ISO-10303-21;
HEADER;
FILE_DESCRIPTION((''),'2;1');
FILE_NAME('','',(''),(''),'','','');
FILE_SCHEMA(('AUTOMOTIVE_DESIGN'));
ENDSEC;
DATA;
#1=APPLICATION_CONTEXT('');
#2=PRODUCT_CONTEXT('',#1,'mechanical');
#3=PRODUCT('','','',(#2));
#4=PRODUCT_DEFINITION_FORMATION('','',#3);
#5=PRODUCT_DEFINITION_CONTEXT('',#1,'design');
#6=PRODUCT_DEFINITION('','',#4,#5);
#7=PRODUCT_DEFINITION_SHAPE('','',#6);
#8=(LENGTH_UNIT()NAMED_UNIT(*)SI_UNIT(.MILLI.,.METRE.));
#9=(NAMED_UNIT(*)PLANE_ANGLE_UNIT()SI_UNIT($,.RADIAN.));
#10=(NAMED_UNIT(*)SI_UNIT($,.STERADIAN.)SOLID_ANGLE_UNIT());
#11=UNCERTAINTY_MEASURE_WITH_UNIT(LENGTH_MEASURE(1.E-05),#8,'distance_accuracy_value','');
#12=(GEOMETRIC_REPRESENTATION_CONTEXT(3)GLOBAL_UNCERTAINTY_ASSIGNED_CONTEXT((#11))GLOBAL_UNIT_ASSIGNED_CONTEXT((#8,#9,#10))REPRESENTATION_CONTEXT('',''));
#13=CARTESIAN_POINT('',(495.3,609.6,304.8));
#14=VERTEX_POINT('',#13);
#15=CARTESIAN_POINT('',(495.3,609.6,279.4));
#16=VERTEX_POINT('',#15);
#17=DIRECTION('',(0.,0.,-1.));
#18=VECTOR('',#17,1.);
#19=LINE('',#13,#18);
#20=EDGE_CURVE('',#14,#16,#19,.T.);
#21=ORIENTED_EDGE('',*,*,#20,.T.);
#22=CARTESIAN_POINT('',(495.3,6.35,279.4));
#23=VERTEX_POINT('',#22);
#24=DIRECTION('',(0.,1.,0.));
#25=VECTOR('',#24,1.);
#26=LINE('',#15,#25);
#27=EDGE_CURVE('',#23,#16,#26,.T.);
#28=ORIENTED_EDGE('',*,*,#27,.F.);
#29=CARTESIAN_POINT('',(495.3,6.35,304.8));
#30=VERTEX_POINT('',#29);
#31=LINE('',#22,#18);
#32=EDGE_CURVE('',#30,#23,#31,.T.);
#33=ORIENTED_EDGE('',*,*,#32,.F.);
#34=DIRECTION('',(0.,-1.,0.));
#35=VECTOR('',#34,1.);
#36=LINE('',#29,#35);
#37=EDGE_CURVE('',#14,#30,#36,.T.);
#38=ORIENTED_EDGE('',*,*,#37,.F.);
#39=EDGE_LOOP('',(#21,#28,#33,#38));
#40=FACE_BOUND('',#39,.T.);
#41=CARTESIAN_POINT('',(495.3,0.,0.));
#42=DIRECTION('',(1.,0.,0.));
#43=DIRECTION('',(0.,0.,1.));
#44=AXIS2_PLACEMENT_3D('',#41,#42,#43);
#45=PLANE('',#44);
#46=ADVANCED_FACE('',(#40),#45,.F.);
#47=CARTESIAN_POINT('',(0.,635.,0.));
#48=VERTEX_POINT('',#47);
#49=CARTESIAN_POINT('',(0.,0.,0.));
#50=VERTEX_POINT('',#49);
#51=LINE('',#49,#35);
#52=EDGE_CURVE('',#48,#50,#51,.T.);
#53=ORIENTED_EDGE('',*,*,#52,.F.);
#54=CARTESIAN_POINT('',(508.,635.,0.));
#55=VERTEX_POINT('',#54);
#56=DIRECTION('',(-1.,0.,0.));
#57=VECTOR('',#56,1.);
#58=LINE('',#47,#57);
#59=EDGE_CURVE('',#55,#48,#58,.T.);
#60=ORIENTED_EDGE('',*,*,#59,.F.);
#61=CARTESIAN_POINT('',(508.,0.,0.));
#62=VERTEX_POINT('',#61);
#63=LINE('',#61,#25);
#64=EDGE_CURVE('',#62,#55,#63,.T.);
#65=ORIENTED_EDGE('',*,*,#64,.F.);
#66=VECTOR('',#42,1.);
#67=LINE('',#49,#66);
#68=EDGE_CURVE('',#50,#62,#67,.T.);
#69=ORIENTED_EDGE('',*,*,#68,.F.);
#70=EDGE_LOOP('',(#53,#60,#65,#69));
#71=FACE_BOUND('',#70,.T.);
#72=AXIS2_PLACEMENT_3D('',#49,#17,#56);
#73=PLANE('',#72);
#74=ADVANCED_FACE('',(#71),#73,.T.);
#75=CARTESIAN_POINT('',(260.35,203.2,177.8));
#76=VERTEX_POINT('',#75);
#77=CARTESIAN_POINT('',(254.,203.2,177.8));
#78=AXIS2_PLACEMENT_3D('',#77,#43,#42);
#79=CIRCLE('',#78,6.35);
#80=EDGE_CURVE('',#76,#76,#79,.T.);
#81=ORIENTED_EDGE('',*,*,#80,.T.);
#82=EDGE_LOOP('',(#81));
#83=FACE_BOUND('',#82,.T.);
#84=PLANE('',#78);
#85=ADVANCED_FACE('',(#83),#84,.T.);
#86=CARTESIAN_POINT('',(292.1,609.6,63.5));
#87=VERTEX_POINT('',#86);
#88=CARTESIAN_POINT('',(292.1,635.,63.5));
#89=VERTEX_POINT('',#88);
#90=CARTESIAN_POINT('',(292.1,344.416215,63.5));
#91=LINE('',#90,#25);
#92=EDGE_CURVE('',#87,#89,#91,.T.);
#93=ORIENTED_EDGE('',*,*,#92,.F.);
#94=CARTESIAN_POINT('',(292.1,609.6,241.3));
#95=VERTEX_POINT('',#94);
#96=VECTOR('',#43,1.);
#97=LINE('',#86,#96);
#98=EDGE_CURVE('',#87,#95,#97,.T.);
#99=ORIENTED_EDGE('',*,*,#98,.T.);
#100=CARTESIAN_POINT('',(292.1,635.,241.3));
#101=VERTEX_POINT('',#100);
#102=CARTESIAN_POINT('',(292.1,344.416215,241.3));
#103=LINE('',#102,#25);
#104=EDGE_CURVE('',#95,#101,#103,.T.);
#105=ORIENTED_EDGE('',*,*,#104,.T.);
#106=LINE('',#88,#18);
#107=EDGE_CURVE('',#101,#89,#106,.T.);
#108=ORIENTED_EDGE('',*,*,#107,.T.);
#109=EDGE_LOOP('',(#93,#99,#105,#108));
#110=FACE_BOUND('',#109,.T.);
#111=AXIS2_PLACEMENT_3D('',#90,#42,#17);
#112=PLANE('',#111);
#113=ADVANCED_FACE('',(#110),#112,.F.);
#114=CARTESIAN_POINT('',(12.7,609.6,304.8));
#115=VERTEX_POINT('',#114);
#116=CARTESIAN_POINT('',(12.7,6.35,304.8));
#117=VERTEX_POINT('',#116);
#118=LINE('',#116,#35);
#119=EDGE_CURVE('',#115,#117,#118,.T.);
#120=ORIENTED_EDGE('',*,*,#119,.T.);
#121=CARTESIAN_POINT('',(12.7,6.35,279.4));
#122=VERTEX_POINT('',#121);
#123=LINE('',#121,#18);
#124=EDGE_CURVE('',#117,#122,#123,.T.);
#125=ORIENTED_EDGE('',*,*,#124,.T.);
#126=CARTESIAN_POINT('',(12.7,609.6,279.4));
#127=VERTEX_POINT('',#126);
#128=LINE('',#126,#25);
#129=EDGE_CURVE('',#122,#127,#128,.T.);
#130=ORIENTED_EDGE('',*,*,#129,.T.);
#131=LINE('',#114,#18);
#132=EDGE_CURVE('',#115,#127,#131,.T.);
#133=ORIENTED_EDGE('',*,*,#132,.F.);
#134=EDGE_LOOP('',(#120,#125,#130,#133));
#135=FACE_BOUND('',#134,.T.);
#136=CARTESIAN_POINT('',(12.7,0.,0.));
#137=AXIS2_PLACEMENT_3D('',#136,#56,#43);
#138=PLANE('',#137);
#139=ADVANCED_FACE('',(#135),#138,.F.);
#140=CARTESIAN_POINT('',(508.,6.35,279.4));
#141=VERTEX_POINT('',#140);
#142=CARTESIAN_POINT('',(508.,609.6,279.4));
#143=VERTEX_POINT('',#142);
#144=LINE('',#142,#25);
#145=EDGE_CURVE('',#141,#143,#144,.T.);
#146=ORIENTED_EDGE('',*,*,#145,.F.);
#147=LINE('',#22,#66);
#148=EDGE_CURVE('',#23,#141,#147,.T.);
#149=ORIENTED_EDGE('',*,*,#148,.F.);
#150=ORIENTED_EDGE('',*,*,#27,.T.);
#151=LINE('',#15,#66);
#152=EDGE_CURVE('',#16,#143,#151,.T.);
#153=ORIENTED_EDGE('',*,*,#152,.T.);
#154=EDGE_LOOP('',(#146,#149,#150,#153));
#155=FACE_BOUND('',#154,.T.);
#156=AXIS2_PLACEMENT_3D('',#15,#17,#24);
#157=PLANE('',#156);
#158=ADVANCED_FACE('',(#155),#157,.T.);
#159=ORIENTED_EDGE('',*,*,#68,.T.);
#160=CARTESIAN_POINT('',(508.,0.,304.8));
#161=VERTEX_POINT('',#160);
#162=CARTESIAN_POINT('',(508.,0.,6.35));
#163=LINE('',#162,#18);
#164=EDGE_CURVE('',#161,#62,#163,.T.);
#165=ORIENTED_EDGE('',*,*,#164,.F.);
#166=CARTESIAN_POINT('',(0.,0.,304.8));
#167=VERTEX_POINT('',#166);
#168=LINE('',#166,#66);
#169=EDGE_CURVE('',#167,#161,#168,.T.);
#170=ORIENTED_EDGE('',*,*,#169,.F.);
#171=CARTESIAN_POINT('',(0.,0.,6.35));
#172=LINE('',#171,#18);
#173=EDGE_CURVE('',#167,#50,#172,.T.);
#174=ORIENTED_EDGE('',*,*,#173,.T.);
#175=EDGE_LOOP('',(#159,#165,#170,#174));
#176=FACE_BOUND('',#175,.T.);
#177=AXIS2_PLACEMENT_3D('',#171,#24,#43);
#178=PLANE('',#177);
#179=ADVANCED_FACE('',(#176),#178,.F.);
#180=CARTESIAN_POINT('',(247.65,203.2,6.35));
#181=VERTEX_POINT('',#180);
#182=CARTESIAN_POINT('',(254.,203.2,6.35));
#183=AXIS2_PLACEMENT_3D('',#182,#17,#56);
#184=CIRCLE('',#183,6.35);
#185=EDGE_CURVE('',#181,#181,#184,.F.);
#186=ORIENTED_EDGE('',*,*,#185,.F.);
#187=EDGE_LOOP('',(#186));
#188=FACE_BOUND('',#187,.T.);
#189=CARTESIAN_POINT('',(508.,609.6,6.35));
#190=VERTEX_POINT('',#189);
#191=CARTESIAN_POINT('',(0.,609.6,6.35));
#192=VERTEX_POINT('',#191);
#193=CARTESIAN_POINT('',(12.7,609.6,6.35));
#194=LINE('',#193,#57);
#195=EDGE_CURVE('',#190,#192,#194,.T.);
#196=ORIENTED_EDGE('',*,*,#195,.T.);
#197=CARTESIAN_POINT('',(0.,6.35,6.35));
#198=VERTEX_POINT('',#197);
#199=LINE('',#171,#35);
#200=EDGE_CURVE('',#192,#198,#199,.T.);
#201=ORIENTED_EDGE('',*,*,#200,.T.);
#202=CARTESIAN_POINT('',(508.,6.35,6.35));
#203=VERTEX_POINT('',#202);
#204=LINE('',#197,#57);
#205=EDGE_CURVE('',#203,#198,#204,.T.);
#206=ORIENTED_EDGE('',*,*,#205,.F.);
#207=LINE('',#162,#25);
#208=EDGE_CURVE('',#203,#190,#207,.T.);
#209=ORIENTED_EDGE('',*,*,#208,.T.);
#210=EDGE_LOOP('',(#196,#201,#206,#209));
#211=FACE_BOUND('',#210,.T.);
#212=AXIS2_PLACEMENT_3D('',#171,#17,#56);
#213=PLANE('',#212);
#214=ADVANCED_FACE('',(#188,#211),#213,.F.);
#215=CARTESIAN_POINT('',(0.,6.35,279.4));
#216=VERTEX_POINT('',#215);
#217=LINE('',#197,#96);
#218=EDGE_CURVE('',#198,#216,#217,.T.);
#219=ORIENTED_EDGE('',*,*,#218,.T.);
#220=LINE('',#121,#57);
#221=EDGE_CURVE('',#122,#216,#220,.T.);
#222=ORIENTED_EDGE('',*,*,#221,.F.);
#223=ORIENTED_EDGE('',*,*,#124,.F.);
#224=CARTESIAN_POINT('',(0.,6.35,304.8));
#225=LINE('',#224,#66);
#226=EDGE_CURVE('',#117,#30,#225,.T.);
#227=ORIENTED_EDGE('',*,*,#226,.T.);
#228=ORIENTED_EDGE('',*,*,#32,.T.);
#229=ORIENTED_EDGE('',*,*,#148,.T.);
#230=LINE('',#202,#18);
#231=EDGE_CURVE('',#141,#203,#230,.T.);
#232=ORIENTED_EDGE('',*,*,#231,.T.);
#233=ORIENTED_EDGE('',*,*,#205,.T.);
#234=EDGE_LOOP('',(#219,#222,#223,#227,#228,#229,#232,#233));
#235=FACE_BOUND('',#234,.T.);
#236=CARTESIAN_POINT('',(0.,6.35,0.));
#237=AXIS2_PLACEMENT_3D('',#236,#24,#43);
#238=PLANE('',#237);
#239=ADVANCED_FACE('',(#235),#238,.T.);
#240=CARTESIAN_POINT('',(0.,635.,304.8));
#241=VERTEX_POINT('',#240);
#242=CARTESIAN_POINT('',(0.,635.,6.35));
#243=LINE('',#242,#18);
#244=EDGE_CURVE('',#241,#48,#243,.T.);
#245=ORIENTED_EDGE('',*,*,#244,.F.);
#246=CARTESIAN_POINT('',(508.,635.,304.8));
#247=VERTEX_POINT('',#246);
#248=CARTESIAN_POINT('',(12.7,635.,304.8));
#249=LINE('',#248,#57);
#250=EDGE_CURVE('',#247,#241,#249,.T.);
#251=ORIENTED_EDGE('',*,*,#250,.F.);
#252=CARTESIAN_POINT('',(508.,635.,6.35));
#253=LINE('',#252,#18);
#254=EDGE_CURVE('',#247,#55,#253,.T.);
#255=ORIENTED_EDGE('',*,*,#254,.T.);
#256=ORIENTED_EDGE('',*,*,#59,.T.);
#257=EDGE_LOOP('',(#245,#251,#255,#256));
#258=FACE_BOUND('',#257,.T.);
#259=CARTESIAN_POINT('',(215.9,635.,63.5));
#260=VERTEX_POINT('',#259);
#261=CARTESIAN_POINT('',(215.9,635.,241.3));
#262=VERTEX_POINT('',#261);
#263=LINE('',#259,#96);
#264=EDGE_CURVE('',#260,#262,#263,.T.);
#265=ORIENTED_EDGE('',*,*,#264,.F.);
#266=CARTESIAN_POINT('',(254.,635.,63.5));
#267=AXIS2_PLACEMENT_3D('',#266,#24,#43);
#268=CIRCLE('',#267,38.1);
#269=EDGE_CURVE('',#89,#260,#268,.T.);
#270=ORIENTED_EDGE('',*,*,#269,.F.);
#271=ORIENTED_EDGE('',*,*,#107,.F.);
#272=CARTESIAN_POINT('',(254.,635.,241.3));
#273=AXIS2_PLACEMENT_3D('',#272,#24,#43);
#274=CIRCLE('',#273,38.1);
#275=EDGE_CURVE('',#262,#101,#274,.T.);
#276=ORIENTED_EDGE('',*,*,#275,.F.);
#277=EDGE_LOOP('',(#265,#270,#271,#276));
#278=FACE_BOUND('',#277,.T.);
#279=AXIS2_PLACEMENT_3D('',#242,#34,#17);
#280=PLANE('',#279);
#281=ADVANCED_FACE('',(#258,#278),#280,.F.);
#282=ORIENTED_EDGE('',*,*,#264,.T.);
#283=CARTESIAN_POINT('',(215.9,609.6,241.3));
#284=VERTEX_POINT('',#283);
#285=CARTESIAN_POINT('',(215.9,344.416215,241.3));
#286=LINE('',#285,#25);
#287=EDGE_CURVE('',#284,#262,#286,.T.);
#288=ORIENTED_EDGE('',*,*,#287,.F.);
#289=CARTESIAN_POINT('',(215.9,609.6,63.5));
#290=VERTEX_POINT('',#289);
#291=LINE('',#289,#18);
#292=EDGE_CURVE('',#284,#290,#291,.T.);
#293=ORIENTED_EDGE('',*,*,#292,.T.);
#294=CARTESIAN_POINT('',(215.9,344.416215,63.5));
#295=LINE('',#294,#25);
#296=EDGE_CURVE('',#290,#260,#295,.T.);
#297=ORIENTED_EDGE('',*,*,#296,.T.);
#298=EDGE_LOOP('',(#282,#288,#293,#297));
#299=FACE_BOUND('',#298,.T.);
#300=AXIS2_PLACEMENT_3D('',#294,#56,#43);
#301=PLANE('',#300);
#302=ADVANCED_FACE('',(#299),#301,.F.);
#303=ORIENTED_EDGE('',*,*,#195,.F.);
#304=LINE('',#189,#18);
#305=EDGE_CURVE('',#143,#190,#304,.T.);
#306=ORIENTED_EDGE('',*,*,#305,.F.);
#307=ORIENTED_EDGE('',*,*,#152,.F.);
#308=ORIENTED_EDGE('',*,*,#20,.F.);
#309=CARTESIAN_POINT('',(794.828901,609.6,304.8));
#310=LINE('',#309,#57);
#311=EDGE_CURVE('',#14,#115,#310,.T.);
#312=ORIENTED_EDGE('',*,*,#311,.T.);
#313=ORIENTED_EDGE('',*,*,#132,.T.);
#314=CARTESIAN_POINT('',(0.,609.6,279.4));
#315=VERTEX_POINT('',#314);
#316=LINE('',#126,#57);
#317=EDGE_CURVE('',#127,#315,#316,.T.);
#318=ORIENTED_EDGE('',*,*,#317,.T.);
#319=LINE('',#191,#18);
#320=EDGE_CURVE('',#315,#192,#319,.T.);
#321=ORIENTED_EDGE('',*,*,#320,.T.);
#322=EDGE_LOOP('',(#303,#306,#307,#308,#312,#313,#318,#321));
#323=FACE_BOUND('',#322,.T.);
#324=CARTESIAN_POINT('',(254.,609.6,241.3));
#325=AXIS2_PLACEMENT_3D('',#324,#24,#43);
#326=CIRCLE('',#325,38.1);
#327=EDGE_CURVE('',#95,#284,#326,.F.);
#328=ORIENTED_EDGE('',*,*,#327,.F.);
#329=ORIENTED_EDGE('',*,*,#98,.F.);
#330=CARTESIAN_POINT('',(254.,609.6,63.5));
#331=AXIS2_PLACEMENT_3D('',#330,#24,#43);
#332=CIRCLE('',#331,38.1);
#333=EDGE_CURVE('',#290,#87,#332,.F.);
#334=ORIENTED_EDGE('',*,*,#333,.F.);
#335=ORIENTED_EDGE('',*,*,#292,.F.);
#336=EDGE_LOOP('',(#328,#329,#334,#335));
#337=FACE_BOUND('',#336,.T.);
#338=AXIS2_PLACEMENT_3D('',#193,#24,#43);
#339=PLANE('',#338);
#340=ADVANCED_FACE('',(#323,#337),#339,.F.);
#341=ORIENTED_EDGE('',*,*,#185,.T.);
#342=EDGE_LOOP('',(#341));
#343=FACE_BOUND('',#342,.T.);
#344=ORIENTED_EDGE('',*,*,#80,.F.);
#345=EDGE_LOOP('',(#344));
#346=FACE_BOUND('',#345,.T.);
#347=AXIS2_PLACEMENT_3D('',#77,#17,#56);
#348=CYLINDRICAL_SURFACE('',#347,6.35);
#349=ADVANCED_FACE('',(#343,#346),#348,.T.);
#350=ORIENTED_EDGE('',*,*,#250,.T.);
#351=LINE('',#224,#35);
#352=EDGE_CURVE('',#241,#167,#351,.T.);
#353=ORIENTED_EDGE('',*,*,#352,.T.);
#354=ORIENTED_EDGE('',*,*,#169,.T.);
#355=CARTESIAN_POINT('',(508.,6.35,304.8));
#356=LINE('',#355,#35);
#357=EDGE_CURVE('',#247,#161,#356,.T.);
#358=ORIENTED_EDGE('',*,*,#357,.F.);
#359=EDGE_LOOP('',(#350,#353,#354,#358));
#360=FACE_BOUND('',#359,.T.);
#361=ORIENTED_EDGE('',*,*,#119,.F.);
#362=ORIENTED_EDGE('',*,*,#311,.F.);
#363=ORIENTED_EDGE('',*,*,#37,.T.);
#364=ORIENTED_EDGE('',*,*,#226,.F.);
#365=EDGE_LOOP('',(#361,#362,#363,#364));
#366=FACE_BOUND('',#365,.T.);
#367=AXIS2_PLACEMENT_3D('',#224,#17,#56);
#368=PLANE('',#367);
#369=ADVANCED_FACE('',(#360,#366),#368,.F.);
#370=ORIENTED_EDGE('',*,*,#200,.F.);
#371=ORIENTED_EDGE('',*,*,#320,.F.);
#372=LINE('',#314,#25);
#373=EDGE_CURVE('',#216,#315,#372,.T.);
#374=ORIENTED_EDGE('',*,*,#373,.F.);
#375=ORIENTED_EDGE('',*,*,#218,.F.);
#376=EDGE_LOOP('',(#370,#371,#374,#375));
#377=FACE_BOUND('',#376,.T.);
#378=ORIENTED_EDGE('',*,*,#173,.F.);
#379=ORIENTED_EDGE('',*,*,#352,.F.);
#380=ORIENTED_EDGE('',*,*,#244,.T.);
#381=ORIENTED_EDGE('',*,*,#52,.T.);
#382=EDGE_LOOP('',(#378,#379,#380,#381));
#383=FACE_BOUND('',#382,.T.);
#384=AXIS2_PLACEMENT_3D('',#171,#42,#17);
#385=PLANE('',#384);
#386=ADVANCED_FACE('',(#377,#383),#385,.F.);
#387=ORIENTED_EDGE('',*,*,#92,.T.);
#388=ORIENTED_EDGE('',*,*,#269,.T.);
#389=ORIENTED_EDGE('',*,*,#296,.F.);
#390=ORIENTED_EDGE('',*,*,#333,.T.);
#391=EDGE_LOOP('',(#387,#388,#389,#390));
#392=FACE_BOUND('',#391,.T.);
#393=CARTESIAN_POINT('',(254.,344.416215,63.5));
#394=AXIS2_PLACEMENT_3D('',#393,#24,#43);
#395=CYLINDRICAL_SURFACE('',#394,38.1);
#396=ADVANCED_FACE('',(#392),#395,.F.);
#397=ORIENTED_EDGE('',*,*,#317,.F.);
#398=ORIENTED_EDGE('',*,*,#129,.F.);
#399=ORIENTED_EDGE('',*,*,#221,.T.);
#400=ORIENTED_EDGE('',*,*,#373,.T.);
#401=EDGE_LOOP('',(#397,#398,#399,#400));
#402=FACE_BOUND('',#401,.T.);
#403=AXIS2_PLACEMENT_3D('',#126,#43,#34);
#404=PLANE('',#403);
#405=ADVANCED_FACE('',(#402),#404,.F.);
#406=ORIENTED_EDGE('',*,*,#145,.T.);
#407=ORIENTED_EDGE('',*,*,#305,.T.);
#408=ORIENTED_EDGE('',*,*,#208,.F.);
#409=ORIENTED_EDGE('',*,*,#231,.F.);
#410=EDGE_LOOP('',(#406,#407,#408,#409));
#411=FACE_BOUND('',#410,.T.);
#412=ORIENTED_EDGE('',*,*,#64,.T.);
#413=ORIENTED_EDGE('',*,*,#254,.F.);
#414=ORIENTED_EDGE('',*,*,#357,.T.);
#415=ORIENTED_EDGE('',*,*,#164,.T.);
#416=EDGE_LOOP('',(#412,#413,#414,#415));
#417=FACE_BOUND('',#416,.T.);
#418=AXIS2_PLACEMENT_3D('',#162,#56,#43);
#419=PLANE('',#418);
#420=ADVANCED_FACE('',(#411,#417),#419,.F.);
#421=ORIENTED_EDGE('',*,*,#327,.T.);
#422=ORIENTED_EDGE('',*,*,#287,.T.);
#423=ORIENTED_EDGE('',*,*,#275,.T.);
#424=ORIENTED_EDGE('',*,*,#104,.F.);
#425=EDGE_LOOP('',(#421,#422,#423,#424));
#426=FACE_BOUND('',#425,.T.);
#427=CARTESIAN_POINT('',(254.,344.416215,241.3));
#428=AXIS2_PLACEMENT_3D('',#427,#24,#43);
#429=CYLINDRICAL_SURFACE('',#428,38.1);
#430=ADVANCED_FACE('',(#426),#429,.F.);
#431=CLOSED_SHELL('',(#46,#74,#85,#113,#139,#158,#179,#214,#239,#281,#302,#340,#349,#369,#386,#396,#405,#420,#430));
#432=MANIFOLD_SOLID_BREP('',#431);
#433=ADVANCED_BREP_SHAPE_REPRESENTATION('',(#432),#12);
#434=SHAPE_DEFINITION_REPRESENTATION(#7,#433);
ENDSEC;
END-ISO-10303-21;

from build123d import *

# Parameters (mm, degrees)
SKETCH1_W           = 508
SKETCH1_H           = 635
BOSS_EXTRUDE1_DEPTH = 6.35
SKETCH2_R           = 6.35
BOSS_EXTRUDE2_DEPTH = 177.8
SKETCH3_W           = 508
SKETCH3_H           = 298.45
BOSS_EXTRUDE3_DEPTH = 6.35
BOSS_EXTRUDE4_DEPTH = 12.7
SKETCH6_W           = 298.45
SKETCH6_H           = 25.4
BOSS_EXTRUDE6_DEPTH = 482.6
CUT_EXTRUDE1_DEPTH  = 25.4


with BuildPart() as part:
    # Sketch1 → Boss-Extrude1 (new body)
    with BuildSketch(Plane.XY):
        with Locations((254, 317.5)):
            Rectangle(SKETCH1_W, SKETCH1_H)
    extrude(amount=BOSS_EXTRUDE1_DEPTH)

    # Sketch2 → Boss-Extrude2 (add)
    with BuildSketch(Plane.XY):
        with Locations(Location((254, 203.2, 0), (0, 0, 180))):
            Circle(SKETCH2_R)
    extrude(amount=BOSS_EXTRUDE2_DEPTH)

    # Sketch3 → Boss-Extrude3 (add)
    with BuildSketch(Plane(origin=(0, 0, 0), x_dir=(1, 0, 0), z_dir=(0, 1, 0))):
        with Locations((254, -155.575)):
            Rectangle(SKETCH3_W, SKETCH3_H)
    extrude(amount=BOSS_EXTRUDE3_DEPTH)

    # Sketch4 → Boss-Extrude4 (add)
    with BuildSketch(Plane(origin=(0, 0, 0), x_dir=(0, 0, -1), z_dir=(1, 0, 0))):
        Polygon((-304.8, 6.35), (-304.8, 635), (-6.35, 635), (-6.35, 609.6), (-279.4, 609.6), (-279.4, 6.35), align=None)
    boss_extrude4 = extrude(amount=BOSS_EXTRUDE4_DEPTH)

    # Mirror1: Boss-Extrude4 across plane
    add(boss_extrude4.mirror(Plane(origin=(254, 0, 0), x_dir=(0, 0, 1), z_dir=(1, 0, 0))))

    # Sketch6 → Boss-Extrude6 (add)
    with BuildSketch(Plane(origin=(12.7, 0, 0), x_dir=(0, 0, -1), z_dir=(1, 0, 0))):
        with Locations((-155.575, 622.3)):
            Rectangle(SKETCH6_W, SKETCH6_H)
    extrude(amount=BOSS_EXTRUDE6_DEPTH)

    # Sketch7 → Cut-Extrude1 (cut)
    with BuildSketch(Plane(origin=(0, 635, 0), x_dir=(1, 0, 0), z_dir=(0, 1, 0))):
        with BuildLine():
            Line((292.1, -63.5), (292.1, -241.3))
            ThreePointArc((292.1, -241.3), (254, -279.4), (215.9, -241.3))
            Line((215.9, -241.3), (215.9, -63.5))
            ThreePointArc((215.9, -63.5), (254, -25.4), (292.1, -63.5))
        make_face()
    extrude(amount=-CUT_EXTRUDE1_DEPTH, mode=Mode.SUBTRACT)


solid = part.part
